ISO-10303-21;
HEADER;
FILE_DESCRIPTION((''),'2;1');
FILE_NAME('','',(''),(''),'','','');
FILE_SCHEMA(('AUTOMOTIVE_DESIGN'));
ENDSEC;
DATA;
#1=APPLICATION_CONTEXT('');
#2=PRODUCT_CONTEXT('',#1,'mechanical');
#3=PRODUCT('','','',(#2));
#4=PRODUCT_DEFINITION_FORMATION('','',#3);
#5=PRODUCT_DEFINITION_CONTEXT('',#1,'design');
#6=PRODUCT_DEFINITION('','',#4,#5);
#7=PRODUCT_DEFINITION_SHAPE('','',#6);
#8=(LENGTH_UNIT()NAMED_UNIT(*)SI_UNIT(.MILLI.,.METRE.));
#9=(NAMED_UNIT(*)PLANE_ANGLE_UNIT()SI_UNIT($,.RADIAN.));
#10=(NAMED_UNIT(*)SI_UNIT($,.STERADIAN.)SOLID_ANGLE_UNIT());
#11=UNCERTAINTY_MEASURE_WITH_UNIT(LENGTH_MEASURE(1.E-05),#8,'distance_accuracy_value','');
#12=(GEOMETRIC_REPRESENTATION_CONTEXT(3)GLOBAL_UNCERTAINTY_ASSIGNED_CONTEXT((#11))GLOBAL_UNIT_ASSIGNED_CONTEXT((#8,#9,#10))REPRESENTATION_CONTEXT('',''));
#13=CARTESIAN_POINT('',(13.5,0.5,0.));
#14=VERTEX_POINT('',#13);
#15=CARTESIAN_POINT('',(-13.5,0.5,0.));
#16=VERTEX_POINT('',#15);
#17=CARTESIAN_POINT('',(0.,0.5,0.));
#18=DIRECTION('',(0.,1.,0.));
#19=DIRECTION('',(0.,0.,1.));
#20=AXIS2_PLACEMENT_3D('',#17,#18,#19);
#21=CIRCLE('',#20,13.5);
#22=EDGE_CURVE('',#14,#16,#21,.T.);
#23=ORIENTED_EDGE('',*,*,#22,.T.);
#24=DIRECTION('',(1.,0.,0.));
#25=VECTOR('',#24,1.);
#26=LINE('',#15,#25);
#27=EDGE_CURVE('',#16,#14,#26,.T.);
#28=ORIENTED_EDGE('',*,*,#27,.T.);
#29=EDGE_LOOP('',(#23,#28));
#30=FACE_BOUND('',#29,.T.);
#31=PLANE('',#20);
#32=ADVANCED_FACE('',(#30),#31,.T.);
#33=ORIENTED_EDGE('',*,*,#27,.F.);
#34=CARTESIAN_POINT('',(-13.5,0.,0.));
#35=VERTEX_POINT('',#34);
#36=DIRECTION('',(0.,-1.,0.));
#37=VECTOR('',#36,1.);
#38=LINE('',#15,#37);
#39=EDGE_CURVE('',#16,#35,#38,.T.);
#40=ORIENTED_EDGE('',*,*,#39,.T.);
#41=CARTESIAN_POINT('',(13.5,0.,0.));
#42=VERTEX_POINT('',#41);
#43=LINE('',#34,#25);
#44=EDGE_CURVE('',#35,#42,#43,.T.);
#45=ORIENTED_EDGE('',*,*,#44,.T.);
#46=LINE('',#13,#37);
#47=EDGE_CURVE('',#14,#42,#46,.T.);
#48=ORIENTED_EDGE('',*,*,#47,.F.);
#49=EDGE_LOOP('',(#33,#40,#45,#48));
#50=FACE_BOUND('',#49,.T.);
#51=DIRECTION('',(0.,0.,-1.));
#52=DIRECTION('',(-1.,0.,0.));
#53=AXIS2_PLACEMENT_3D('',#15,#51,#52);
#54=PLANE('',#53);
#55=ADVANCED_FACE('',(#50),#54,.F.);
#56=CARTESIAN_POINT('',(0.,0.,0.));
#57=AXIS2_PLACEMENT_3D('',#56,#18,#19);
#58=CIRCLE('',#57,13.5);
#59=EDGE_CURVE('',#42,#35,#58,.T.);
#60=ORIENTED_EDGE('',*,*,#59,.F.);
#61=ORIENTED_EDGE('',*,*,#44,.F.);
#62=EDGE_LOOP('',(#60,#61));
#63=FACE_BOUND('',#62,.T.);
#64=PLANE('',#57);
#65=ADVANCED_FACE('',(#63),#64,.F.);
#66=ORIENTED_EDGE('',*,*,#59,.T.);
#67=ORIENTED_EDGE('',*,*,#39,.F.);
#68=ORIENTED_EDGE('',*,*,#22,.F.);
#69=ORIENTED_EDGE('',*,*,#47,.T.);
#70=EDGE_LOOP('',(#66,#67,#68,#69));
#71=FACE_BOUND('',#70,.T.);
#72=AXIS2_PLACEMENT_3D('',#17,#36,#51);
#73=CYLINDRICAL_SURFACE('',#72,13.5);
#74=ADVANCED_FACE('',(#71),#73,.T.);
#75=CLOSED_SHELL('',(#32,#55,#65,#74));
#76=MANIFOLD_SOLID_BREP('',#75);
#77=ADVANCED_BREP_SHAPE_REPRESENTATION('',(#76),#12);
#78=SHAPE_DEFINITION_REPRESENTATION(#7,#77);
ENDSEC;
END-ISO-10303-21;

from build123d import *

# Parameters (mm, degrees)
BOSS_EXTRUDE1_DEPTH = 0.5


with BuildPart() as part:
    # Sketch2 → Boss-Extrude1 (new body)
    with BuildSketch(Plane(origin=(0, 0, 0), x_dir=(1, 0, 0), z_dir=(0, 1, 0))):
        with BuildLine():
            Line((-13.5, 0), (13.5, 0))
            ThreePointArc((13.5, 0), (0, 13.5), (-13.5, 0))
        make_face()
    extrude(amount=BOSS_EXTRUDE1_DEPTH)


solid = part.part
